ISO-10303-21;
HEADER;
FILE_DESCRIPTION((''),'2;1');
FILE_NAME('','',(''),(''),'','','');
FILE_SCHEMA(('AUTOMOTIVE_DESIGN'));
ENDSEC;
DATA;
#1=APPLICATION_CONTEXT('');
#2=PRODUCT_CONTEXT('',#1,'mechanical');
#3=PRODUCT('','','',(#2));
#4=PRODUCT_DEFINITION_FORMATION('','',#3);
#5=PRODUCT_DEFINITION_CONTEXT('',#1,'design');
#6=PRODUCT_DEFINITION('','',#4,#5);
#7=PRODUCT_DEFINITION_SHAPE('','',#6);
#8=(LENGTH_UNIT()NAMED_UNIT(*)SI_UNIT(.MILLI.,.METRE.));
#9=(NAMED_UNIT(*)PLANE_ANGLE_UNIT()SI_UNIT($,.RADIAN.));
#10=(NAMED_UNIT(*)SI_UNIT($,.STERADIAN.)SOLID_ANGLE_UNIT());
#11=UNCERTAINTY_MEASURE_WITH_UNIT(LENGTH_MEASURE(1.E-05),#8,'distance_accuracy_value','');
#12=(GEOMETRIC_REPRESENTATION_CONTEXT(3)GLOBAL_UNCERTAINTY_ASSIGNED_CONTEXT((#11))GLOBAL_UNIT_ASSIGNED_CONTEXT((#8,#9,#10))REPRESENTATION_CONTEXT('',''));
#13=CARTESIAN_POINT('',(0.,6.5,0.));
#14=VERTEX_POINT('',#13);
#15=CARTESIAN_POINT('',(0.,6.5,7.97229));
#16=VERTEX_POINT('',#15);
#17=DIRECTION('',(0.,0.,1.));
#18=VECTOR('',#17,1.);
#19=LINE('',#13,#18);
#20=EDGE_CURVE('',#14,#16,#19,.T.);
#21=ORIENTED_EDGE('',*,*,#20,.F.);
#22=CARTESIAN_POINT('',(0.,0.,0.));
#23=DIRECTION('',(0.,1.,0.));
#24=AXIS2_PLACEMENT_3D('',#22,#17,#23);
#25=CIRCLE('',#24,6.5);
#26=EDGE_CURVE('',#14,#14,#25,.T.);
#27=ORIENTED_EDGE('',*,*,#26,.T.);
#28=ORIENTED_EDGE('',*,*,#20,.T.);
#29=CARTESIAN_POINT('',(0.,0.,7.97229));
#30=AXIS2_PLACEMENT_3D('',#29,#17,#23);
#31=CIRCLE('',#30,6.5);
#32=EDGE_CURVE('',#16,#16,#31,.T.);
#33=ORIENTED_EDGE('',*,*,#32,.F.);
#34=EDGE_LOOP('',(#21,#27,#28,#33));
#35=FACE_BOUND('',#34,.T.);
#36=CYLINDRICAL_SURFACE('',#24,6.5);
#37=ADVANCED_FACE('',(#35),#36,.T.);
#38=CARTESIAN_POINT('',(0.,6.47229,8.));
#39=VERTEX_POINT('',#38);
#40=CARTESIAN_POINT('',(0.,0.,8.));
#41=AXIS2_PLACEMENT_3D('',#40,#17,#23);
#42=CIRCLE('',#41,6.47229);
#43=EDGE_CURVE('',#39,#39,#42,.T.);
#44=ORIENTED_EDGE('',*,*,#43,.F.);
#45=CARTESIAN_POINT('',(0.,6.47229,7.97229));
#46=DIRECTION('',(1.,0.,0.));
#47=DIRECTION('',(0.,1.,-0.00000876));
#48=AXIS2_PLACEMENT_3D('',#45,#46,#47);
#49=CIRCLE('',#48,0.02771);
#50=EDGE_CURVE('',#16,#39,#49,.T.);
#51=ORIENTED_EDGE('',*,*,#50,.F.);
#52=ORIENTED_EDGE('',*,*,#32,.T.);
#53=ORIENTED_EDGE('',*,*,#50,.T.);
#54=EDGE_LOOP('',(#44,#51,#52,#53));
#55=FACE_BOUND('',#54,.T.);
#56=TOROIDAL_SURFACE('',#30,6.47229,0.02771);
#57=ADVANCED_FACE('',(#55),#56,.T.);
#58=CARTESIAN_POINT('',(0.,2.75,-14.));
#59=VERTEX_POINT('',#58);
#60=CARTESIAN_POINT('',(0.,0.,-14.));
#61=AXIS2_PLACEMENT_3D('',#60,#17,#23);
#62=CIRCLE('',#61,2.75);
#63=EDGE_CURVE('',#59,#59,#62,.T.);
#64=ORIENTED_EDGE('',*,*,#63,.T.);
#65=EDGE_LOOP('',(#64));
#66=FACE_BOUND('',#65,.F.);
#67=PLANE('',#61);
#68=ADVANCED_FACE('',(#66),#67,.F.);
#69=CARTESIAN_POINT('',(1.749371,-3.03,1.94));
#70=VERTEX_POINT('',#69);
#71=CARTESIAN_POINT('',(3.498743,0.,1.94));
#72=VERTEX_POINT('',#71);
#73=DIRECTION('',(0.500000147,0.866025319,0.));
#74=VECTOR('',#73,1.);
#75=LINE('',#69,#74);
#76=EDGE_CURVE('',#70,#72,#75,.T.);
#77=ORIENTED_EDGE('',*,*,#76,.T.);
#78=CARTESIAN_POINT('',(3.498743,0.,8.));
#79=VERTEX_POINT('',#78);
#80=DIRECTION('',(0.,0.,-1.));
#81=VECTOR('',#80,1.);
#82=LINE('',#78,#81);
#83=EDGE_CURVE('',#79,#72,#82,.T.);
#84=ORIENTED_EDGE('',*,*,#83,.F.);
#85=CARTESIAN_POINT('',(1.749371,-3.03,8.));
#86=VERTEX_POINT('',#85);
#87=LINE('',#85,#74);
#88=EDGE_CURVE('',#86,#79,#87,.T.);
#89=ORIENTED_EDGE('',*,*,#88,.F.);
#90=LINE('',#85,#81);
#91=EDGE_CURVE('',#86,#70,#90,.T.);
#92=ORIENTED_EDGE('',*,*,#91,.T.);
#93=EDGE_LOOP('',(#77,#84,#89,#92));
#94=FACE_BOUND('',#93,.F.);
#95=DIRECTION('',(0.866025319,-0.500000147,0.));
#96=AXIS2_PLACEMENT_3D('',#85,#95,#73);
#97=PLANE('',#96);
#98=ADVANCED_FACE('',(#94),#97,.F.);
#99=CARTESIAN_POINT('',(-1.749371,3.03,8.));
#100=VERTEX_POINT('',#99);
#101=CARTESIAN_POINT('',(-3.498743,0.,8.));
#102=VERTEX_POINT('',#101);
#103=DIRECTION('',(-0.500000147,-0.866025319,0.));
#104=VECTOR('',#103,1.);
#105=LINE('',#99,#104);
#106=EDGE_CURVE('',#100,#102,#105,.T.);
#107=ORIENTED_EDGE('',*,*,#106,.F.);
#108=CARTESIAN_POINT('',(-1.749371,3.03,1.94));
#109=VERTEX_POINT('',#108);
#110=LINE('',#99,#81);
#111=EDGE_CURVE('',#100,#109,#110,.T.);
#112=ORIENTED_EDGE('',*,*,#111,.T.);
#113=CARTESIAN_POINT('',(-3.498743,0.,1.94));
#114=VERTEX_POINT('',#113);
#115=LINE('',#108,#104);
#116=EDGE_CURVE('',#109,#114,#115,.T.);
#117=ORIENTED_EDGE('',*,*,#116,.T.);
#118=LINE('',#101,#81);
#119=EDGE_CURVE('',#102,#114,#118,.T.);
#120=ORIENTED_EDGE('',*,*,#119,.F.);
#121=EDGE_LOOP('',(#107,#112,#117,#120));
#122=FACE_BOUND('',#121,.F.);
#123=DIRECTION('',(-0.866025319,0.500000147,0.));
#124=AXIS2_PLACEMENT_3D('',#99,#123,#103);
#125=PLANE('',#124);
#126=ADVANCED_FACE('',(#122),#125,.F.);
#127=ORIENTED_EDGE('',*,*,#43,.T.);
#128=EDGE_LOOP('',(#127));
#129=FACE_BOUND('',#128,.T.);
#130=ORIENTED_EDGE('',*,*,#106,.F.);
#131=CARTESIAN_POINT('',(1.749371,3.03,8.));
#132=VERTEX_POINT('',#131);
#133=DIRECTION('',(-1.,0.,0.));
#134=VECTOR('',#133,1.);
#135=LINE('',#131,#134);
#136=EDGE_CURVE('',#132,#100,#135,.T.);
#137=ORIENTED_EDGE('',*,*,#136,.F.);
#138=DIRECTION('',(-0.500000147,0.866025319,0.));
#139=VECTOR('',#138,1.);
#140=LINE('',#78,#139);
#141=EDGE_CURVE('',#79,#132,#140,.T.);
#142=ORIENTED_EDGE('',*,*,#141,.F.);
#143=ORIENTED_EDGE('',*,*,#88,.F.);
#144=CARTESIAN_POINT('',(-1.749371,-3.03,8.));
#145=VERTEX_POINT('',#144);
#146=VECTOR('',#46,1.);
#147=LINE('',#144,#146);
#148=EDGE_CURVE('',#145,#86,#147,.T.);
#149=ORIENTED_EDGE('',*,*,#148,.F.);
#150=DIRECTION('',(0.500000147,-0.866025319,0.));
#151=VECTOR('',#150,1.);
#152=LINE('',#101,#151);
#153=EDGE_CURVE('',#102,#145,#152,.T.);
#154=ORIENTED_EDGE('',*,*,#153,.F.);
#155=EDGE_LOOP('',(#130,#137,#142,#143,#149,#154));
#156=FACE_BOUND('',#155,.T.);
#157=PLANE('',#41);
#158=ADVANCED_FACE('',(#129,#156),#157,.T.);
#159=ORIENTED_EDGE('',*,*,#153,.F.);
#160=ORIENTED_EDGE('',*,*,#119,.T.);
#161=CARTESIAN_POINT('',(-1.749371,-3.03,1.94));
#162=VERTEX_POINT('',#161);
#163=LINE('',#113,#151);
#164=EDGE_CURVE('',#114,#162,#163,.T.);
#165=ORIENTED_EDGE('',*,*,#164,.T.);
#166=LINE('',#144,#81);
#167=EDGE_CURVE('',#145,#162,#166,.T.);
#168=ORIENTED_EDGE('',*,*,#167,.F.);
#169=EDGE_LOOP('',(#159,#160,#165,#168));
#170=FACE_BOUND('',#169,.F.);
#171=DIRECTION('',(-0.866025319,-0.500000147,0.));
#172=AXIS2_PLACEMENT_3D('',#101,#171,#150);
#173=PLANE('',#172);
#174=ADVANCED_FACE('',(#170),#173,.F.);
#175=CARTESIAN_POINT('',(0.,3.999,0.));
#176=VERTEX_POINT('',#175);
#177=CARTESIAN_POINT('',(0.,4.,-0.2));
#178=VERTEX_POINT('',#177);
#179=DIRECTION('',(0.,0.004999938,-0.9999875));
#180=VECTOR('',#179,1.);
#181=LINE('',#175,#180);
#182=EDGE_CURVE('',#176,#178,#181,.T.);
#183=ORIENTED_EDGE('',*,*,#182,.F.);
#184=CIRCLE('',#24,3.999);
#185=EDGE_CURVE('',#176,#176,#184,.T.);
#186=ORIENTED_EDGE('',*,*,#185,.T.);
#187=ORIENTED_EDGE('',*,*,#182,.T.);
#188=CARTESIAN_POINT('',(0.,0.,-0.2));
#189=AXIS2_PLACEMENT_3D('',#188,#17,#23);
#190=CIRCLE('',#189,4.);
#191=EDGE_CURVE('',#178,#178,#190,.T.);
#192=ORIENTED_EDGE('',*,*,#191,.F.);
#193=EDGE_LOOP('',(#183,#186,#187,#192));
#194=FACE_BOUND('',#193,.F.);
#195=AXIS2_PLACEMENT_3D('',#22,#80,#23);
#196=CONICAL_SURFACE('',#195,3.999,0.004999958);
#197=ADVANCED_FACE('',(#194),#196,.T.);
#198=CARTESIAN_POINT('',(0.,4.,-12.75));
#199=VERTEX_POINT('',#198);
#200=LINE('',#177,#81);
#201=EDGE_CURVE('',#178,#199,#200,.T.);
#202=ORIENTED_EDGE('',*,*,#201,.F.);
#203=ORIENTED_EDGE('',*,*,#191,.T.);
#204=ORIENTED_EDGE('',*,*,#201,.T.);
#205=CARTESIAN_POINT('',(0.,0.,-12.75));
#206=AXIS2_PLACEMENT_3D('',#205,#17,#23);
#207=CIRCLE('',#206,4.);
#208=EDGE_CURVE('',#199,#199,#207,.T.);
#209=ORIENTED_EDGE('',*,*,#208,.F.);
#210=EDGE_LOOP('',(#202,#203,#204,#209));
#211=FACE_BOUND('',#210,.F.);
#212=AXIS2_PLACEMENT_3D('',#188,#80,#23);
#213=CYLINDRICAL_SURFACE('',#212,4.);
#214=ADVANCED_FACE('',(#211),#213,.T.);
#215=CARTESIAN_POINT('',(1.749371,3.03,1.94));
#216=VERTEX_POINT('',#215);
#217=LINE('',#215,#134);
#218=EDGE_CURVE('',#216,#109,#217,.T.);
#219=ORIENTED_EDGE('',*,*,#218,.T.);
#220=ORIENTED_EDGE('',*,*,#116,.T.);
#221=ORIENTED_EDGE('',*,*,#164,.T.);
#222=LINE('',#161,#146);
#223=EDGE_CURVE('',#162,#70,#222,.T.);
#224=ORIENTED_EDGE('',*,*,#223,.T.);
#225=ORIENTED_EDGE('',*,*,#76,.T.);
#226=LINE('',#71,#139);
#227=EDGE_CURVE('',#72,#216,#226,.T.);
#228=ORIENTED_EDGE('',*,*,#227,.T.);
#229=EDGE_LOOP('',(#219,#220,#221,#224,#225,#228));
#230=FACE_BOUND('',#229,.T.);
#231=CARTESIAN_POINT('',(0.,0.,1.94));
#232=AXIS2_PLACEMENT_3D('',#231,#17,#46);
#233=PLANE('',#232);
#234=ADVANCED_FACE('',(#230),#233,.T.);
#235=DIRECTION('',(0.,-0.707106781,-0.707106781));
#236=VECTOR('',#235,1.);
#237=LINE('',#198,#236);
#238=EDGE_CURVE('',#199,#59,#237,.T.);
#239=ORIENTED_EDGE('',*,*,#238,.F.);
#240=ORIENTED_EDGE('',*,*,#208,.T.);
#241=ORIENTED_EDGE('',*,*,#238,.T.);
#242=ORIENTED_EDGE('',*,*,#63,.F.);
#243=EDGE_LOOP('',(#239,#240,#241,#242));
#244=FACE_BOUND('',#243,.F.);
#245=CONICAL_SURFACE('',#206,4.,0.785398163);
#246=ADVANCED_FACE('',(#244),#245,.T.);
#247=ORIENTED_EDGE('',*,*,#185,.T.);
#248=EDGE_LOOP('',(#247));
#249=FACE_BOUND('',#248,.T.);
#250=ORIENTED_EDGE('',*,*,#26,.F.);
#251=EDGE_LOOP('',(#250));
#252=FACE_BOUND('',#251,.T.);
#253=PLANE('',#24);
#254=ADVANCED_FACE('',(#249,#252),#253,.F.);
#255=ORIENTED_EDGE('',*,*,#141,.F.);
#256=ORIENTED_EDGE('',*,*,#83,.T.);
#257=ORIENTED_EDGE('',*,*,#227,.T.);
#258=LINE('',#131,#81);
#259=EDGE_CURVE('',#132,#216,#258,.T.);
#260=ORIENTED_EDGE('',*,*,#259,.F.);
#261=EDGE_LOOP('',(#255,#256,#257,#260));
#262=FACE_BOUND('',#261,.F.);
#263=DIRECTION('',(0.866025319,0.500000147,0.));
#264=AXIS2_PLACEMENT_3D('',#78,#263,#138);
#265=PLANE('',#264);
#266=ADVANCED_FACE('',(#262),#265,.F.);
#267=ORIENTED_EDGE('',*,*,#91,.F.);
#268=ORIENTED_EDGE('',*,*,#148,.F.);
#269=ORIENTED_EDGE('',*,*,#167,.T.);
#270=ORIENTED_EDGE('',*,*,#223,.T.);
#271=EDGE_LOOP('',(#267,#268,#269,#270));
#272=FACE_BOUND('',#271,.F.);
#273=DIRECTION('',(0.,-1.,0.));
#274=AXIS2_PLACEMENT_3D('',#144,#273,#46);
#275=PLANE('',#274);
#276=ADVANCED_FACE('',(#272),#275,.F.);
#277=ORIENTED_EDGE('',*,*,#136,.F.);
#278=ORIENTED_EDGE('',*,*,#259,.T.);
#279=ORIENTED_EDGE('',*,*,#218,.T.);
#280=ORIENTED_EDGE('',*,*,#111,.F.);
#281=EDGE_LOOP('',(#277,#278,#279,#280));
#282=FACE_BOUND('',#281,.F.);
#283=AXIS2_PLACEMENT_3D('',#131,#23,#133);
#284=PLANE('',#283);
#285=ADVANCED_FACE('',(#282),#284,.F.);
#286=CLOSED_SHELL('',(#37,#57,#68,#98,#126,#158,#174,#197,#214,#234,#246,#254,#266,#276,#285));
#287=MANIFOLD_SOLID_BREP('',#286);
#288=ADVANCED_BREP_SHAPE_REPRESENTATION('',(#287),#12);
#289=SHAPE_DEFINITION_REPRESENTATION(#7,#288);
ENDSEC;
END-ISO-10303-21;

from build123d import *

# Parameters (mm, degrees)
POCKET_DEPTH = 6.06


with BuildPart() as part:
    # Sketch → Revolve (revolve)
    with BuildSketch(Plane.YZ):
        with BuildLine():
            Line((3.999, 0), (6.5, 0))
            Line((6.5, 0), (6.5, 7.97229))
            ThreePointArc((6.5, 7.97229), (6.491884, 7.991884), (6.47229, 8))
            Line((6.47229, 8), (0, 8))
            Line((0, -14), (0, 8))
            Line((2.75, -14), (0, -14))
            Line((4, -12.75), (2.75, -14))
            Line((4, -0.2), (4, -12.75))
            Line((3.999, 0), (4, -0.2))
        make_face()
    revolve(axis=Axis((0, 0, 0), (0, 0, 1)))

    # Sketch001 → Pocket (cut)
    with BuildSketch(Plane.XY.offset(8)):
        Polygon((3.498743, 0), (1.749371, 3.03), (-1.749371, 3.03), (-3.498743, 0), (-1.749371, -3.03), (1.749371, -3.03), align=None)
    extrude(amount=-POCKET_DEPTH, mode=Mode.SUBTRACT)


solid = part.part
